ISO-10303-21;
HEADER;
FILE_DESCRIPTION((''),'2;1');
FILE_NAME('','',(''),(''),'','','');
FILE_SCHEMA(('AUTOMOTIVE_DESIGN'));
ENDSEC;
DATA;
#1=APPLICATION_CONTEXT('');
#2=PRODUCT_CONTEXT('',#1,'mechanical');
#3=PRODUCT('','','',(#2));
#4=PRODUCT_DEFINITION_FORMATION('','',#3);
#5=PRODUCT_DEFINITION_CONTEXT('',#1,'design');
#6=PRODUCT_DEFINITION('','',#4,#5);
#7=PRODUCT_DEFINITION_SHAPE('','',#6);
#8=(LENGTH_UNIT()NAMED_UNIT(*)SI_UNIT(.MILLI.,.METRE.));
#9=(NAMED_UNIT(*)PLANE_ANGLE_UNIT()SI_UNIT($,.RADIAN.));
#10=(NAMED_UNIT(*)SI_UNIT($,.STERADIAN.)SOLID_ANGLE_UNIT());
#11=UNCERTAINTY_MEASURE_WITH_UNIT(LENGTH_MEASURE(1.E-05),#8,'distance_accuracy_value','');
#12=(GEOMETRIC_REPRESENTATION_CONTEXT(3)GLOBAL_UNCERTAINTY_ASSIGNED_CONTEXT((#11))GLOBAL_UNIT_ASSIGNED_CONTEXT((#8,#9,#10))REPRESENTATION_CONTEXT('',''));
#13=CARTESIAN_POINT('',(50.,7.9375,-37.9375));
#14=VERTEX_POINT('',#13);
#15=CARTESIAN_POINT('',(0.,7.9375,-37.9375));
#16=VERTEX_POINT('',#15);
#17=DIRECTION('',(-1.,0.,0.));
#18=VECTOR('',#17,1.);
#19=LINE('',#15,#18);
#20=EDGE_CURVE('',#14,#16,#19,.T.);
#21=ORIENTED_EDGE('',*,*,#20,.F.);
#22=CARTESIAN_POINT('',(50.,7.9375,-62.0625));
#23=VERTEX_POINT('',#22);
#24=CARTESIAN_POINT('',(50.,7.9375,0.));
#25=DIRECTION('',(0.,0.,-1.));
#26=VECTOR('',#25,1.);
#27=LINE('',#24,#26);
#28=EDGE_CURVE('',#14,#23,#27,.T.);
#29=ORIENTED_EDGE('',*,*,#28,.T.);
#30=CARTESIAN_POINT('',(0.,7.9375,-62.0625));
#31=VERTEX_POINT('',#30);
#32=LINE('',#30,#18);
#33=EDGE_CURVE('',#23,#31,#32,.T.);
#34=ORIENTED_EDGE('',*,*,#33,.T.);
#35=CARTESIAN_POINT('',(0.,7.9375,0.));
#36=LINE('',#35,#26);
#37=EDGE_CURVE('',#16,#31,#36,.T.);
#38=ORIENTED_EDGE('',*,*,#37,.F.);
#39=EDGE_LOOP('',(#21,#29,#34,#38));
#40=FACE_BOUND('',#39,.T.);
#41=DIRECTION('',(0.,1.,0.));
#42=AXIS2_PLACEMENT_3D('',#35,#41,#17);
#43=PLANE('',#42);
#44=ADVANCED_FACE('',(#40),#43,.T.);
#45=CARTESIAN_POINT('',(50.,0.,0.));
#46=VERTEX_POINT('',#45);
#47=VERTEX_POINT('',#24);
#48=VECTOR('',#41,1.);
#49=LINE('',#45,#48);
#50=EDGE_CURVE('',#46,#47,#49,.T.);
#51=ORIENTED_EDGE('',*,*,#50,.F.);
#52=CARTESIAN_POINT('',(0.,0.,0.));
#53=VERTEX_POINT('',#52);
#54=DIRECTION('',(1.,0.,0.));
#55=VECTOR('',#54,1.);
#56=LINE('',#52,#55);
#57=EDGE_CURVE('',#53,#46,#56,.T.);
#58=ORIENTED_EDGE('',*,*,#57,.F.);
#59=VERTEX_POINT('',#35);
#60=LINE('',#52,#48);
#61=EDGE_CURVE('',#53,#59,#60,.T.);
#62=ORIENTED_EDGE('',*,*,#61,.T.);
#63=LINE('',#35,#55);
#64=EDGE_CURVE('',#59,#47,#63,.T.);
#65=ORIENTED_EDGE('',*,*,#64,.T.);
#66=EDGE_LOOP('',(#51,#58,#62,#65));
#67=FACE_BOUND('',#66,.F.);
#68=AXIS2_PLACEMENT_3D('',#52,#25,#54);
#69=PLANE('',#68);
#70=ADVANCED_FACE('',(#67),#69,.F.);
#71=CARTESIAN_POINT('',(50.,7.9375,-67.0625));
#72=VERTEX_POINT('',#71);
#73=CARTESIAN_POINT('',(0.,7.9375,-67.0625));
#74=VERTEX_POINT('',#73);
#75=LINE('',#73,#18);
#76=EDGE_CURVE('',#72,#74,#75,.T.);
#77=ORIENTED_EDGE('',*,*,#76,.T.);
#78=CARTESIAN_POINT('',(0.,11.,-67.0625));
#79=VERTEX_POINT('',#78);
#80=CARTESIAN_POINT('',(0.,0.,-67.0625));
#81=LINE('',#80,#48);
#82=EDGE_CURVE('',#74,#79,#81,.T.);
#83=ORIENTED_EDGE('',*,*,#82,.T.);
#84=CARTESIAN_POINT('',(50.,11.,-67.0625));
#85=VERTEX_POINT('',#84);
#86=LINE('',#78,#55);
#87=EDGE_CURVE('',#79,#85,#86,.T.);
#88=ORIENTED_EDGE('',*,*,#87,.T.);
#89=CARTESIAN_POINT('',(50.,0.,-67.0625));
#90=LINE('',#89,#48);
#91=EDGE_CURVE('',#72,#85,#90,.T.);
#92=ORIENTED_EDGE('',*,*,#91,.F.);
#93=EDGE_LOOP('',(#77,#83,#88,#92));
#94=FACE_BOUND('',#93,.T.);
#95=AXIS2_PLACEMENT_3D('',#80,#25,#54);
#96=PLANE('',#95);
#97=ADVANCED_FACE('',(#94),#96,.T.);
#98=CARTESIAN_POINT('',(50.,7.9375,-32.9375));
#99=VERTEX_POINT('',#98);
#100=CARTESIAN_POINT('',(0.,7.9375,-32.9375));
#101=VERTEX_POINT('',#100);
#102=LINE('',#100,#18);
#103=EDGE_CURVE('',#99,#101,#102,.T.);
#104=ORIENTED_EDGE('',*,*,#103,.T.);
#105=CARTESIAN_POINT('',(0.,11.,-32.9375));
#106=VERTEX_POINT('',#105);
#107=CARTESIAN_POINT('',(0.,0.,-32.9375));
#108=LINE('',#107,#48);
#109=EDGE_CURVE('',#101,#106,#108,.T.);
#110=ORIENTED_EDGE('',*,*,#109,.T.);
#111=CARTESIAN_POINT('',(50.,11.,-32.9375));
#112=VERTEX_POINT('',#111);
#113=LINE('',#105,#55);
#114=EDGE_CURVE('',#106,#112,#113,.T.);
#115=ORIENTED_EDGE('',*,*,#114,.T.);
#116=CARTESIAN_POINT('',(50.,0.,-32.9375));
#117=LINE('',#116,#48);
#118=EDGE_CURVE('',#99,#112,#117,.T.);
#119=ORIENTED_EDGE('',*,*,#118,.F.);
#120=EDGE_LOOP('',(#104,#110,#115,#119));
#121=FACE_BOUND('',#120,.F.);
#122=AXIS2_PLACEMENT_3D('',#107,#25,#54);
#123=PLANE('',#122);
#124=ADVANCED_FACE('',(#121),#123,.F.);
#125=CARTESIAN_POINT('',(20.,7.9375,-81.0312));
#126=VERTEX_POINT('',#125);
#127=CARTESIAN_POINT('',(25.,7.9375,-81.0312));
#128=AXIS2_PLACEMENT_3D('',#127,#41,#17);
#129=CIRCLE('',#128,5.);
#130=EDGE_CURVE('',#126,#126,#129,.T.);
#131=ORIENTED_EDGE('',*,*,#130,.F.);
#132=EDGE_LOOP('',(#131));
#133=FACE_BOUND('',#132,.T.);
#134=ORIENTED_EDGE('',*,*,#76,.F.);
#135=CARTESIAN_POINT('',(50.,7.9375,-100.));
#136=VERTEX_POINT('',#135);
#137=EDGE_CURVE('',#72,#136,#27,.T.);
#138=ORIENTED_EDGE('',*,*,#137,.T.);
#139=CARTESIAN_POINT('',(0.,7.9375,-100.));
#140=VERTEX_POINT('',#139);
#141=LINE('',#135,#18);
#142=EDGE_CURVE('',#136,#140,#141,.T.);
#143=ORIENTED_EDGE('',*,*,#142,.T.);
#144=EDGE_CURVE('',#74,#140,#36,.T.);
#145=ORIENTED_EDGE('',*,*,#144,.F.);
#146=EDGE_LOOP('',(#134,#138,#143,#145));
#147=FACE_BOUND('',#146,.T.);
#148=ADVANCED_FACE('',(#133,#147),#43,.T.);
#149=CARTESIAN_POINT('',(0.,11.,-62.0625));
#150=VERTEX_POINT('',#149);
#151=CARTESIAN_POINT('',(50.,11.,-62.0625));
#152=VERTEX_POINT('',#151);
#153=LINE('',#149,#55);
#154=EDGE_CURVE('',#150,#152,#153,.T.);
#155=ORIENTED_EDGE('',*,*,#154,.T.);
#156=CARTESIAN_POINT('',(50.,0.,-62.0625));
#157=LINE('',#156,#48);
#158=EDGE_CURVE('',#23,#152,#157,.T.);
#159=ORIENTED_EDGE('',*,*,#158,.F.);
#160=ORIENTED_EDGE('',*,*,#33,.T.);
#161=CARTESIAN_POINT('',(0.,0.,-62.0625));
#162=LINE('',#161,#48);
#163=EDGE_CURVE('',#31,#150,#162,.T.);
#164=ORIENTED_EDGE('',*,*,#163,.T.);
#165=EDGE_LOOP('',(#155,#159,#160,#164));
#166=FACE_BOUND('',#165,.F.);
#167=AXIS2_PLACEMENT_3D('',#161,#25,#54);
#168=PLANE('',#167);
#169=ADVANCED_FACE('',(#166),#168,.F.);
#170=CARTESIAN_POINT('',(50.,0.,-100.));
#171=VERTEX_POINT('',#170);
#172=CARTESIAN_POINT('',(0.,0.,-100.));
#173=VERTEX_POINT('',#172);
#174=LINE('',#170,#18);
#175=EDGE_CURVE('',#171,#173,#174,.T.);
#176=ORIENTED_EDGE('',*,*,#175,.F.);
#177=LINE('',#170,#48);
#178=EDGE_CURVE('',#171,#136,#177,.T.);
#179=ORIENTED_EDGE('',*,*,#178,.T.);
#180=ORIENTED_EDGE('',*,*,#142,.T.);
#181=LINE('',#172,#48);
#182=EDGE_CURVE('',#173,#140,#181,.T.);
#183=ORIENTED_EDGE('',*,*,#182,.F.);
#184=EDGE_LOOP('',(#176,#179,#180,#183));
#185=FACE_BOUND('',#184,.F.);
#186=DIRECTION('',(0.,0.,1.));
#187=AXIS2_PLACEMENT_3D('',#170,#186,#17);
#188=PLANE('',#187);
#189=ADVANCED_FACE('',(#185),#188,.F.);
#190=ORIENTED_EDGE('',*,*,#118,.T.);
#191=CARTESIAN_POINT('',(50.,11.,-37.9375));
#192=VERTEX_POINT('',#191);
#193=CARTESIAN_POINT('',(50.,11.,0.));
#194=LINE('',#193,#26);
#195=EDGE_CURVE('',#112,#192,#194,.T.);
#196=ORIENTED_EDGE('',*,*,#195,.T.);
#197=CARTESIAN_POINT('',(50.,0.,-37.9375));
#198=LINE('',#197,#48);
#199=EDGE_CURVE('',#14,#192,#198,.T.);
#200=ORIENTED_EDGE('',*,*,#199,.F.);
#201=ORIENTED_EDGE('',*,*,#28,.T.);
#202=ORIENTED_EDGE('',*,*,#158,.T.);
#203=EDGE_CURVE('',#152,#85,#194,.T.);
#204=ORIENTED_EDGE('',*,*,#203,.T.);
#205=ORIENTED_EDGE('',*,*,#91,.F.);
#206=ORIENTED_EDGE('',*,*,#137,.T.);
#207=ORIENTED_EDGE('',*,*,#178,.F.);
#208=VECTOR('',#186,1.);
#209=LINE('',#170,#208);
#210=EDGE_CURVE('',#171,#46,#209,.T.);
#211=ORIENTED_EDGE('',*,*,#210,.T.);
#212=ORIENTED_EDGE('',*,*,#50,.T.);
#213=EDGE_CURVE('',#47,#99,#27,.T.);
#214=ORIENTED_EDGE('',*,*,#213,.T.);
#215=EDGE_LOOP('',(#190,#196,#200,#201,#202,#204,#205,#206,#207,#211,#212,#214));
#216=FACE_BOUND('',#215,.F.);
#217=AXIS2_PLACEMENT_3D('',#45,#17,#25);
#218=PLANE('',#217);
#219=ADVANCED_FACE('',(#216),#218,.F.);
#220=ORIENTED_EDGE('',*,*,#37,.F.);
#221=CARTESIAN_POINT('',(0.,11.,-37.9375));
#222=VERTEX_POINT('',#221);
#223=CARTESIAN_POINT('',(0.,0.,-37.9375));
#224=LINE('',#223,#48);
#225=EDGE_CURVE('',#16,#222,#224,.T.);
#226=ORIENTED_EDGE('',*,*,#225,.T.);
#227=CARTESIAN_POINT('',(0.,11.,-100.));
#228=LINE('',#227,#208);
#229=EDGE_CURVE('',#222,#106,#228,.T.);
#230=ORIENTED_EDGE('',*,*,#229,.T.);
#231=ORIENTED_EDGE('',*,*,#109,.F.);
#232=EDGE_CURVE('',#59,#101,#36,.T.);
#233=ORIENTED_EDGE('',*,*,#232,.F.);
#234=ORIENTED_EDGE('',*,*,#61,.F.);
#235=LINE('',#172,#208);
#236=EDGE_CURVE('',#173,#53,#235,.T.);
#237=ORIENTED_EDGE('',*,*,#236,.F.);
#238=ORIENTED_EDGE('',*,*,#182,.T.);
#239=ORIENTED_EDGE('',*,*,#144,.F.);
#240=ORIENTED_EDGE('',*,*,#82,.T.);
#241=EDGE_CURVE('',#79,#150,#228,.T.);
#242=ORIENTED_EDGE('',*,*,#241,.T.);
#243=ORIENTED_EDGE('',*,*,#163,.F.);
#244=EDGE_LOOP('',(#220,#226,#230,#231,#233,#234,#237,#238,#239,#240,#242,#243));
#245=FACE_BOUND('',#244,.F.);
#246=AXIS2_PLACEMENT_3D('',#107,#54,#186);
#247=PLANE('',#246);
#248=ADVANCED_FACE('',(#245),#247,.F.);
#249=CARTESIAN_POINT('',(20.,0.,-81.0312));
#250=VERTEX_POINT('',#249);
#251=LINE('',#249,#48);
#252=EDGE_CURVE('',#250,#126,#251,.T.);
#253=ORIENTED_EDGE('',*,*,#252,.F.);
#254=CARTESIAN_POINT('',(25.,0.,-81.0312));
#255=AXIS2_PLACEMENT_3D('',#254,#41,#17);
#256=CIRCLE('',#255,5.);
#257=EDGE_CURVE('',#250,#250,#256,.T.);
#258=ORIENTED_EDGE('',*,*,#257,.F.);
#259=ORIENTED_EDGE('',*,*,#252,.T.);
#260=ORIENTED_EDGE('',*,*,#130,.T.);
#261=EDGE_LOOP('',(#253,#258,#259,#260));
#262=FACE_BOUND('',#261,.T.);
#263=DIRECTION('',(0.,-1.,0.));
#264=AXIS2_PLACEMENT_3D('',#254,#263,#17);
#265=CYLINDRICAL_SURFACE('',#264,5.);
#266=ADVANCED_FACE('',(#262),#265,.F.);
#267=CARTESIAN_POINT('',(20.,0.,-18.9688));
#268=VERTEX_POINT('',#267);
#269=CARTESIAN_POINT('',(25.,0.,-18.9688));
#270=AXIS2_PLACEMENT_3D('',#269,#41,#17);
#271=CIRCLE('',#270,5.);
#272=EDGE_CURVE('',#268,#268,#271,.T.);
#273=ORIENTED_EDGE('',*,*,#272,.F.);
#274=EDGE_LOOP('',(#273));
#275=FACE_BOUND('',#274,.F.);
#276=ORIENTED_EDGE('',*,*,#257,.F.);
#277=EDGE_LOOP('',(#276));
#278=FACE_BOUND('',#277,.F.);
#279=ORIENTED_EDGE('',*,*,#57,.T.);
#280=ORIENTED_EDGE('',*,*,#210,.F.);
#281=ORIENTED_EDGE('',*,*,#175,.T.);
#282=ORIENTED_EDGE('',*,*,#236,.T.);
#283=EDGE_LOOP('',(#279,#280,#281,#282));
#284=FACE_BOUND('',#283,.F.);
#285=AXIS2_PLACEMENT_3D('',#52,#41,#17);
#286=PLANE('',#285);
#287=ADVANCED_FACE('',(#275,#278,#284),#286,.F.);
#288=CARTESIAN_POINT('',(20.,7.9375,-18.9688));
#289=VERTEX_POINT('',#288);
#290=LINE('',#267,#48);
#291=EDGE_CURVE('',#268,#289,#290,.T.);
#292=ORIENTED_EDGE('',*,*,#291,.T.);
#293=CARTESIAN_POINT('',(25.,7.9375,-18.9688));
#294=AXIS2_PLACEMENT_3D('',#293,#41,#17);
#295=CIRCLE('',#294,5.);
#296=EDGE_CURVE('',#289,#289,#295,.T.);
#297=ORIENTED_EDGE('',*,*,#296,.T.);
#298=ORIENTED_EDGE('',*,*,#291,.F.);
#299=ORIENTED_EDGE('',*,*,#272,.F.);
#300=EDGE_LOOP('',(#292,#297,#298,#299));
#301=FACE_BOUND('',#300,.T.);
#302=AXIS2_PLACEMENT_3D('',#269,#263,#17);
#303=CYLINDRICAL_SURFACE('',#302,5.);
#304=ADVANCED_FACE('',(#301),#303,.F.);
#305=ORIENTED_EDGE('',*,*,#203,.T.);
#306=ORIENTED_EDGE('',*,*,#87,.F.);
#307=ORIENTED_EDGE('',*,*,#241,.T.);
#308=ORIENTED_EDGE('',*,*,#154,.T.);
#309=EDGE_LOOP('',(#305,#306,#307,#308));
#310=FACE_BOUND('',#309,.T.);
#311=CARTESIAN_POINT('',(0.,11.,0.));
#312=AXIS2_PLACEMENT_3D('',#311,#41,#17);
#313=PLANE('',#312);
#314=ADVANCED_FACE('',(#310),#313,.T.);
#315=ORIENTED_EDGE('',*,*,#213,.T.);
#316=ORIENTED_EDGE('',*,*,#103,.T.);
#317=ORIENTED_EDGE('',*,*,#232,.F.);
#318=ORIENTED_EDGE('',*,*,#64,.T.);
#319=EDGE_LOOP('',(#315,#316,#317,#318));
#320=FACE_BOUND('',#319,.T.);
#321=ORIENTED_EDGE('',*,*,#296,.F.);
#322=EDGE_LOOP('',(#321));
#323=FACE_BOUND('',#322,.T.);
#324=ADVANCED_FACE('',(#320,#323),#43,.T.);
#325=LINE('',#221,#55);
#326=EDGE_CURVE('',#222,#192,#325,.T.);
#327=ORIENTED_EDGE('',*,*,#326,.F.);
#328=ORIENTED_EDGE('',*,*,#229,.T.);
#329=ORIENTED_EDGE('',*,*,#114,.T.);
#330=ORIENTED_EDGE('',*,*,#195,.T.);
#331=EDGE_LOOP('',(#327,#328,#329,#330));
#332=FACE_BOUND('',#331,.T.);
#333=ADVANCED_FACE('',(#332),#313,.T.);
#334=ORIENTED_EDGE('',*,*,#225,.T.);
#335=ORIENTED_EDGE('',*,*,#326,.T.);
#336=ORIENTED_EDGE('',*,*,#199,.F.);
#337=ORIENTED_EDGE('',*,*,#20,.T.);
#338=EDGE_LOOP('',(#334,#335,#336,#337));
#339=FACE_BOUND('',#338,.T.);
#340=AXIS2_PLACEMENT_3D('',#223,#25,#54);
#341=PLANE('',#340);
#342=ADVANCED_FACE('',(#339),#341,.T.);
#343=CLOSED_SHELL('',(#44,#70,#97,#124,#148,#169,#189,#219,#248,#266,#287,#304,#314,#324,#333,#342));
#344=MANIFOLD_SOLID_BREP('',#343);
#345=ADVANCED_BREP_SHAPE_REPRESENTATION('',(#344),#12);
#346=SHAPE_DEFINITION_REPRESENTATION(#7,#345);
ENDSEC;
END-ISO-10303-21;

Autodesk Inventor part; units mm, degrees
ref_plane "YZ Plane" through (0, 0, 0) normal (1, 0, 0) x (0, 1, 0)
ref_plane "XZ Plane" through (0, 0, 0) normal (0, 1, 0) x (-1, 0, 0)
ref_plane "XY Plane" through (0, 0, 0) normal (0, 0, 1) x (1, 0, 0)
sketch "Sketch1" plane through (0, 0, 0) normal (0, 1, 0) x (-1, 0, 0)
  line L0 (0, 0) -> (-50, 0)
  line L1 (-50, 0) -> (-50, -100)
  line L2 (-50, -100) -> (0, -100)
  line L3 (0, -100) -> (0, 0)
  circle A0 centre (-25, -18.9688) radius 5
  circle A1 centre (-25, -81.0312) radius 5
  line L4 (0, -37.9375) -> (-50, -37.9375)
  line L5 (0, -62.0625) -> (-50, -62.0625)
  line L6 (0, -32.9375) -> (-50, -32.9375)
  line L7 (0, -67.0625) -> (-50, -67.0625)
  dimension "d0" = 50
  dimension "d1" = 100
  dimension "d2" = 18.9688
  dimension "d3" = 18.9688
  dimension "d4" = 10
  dimension "d5" = 25
  dimension "d8" = 24.125
  dimension "d9" = 37.9375
  dimension "d10" = 5
  dimension "d11" = 5
extrude "Extrusion1" add sketch "Sketch1" along normal blind 7.9375
extrude "Extrusion2" add sketch "Sketch1" along normal blind 11 contours L3 L4 L1 L6 | L3 L7 L1 L5
properties part number "bodystandoff"
